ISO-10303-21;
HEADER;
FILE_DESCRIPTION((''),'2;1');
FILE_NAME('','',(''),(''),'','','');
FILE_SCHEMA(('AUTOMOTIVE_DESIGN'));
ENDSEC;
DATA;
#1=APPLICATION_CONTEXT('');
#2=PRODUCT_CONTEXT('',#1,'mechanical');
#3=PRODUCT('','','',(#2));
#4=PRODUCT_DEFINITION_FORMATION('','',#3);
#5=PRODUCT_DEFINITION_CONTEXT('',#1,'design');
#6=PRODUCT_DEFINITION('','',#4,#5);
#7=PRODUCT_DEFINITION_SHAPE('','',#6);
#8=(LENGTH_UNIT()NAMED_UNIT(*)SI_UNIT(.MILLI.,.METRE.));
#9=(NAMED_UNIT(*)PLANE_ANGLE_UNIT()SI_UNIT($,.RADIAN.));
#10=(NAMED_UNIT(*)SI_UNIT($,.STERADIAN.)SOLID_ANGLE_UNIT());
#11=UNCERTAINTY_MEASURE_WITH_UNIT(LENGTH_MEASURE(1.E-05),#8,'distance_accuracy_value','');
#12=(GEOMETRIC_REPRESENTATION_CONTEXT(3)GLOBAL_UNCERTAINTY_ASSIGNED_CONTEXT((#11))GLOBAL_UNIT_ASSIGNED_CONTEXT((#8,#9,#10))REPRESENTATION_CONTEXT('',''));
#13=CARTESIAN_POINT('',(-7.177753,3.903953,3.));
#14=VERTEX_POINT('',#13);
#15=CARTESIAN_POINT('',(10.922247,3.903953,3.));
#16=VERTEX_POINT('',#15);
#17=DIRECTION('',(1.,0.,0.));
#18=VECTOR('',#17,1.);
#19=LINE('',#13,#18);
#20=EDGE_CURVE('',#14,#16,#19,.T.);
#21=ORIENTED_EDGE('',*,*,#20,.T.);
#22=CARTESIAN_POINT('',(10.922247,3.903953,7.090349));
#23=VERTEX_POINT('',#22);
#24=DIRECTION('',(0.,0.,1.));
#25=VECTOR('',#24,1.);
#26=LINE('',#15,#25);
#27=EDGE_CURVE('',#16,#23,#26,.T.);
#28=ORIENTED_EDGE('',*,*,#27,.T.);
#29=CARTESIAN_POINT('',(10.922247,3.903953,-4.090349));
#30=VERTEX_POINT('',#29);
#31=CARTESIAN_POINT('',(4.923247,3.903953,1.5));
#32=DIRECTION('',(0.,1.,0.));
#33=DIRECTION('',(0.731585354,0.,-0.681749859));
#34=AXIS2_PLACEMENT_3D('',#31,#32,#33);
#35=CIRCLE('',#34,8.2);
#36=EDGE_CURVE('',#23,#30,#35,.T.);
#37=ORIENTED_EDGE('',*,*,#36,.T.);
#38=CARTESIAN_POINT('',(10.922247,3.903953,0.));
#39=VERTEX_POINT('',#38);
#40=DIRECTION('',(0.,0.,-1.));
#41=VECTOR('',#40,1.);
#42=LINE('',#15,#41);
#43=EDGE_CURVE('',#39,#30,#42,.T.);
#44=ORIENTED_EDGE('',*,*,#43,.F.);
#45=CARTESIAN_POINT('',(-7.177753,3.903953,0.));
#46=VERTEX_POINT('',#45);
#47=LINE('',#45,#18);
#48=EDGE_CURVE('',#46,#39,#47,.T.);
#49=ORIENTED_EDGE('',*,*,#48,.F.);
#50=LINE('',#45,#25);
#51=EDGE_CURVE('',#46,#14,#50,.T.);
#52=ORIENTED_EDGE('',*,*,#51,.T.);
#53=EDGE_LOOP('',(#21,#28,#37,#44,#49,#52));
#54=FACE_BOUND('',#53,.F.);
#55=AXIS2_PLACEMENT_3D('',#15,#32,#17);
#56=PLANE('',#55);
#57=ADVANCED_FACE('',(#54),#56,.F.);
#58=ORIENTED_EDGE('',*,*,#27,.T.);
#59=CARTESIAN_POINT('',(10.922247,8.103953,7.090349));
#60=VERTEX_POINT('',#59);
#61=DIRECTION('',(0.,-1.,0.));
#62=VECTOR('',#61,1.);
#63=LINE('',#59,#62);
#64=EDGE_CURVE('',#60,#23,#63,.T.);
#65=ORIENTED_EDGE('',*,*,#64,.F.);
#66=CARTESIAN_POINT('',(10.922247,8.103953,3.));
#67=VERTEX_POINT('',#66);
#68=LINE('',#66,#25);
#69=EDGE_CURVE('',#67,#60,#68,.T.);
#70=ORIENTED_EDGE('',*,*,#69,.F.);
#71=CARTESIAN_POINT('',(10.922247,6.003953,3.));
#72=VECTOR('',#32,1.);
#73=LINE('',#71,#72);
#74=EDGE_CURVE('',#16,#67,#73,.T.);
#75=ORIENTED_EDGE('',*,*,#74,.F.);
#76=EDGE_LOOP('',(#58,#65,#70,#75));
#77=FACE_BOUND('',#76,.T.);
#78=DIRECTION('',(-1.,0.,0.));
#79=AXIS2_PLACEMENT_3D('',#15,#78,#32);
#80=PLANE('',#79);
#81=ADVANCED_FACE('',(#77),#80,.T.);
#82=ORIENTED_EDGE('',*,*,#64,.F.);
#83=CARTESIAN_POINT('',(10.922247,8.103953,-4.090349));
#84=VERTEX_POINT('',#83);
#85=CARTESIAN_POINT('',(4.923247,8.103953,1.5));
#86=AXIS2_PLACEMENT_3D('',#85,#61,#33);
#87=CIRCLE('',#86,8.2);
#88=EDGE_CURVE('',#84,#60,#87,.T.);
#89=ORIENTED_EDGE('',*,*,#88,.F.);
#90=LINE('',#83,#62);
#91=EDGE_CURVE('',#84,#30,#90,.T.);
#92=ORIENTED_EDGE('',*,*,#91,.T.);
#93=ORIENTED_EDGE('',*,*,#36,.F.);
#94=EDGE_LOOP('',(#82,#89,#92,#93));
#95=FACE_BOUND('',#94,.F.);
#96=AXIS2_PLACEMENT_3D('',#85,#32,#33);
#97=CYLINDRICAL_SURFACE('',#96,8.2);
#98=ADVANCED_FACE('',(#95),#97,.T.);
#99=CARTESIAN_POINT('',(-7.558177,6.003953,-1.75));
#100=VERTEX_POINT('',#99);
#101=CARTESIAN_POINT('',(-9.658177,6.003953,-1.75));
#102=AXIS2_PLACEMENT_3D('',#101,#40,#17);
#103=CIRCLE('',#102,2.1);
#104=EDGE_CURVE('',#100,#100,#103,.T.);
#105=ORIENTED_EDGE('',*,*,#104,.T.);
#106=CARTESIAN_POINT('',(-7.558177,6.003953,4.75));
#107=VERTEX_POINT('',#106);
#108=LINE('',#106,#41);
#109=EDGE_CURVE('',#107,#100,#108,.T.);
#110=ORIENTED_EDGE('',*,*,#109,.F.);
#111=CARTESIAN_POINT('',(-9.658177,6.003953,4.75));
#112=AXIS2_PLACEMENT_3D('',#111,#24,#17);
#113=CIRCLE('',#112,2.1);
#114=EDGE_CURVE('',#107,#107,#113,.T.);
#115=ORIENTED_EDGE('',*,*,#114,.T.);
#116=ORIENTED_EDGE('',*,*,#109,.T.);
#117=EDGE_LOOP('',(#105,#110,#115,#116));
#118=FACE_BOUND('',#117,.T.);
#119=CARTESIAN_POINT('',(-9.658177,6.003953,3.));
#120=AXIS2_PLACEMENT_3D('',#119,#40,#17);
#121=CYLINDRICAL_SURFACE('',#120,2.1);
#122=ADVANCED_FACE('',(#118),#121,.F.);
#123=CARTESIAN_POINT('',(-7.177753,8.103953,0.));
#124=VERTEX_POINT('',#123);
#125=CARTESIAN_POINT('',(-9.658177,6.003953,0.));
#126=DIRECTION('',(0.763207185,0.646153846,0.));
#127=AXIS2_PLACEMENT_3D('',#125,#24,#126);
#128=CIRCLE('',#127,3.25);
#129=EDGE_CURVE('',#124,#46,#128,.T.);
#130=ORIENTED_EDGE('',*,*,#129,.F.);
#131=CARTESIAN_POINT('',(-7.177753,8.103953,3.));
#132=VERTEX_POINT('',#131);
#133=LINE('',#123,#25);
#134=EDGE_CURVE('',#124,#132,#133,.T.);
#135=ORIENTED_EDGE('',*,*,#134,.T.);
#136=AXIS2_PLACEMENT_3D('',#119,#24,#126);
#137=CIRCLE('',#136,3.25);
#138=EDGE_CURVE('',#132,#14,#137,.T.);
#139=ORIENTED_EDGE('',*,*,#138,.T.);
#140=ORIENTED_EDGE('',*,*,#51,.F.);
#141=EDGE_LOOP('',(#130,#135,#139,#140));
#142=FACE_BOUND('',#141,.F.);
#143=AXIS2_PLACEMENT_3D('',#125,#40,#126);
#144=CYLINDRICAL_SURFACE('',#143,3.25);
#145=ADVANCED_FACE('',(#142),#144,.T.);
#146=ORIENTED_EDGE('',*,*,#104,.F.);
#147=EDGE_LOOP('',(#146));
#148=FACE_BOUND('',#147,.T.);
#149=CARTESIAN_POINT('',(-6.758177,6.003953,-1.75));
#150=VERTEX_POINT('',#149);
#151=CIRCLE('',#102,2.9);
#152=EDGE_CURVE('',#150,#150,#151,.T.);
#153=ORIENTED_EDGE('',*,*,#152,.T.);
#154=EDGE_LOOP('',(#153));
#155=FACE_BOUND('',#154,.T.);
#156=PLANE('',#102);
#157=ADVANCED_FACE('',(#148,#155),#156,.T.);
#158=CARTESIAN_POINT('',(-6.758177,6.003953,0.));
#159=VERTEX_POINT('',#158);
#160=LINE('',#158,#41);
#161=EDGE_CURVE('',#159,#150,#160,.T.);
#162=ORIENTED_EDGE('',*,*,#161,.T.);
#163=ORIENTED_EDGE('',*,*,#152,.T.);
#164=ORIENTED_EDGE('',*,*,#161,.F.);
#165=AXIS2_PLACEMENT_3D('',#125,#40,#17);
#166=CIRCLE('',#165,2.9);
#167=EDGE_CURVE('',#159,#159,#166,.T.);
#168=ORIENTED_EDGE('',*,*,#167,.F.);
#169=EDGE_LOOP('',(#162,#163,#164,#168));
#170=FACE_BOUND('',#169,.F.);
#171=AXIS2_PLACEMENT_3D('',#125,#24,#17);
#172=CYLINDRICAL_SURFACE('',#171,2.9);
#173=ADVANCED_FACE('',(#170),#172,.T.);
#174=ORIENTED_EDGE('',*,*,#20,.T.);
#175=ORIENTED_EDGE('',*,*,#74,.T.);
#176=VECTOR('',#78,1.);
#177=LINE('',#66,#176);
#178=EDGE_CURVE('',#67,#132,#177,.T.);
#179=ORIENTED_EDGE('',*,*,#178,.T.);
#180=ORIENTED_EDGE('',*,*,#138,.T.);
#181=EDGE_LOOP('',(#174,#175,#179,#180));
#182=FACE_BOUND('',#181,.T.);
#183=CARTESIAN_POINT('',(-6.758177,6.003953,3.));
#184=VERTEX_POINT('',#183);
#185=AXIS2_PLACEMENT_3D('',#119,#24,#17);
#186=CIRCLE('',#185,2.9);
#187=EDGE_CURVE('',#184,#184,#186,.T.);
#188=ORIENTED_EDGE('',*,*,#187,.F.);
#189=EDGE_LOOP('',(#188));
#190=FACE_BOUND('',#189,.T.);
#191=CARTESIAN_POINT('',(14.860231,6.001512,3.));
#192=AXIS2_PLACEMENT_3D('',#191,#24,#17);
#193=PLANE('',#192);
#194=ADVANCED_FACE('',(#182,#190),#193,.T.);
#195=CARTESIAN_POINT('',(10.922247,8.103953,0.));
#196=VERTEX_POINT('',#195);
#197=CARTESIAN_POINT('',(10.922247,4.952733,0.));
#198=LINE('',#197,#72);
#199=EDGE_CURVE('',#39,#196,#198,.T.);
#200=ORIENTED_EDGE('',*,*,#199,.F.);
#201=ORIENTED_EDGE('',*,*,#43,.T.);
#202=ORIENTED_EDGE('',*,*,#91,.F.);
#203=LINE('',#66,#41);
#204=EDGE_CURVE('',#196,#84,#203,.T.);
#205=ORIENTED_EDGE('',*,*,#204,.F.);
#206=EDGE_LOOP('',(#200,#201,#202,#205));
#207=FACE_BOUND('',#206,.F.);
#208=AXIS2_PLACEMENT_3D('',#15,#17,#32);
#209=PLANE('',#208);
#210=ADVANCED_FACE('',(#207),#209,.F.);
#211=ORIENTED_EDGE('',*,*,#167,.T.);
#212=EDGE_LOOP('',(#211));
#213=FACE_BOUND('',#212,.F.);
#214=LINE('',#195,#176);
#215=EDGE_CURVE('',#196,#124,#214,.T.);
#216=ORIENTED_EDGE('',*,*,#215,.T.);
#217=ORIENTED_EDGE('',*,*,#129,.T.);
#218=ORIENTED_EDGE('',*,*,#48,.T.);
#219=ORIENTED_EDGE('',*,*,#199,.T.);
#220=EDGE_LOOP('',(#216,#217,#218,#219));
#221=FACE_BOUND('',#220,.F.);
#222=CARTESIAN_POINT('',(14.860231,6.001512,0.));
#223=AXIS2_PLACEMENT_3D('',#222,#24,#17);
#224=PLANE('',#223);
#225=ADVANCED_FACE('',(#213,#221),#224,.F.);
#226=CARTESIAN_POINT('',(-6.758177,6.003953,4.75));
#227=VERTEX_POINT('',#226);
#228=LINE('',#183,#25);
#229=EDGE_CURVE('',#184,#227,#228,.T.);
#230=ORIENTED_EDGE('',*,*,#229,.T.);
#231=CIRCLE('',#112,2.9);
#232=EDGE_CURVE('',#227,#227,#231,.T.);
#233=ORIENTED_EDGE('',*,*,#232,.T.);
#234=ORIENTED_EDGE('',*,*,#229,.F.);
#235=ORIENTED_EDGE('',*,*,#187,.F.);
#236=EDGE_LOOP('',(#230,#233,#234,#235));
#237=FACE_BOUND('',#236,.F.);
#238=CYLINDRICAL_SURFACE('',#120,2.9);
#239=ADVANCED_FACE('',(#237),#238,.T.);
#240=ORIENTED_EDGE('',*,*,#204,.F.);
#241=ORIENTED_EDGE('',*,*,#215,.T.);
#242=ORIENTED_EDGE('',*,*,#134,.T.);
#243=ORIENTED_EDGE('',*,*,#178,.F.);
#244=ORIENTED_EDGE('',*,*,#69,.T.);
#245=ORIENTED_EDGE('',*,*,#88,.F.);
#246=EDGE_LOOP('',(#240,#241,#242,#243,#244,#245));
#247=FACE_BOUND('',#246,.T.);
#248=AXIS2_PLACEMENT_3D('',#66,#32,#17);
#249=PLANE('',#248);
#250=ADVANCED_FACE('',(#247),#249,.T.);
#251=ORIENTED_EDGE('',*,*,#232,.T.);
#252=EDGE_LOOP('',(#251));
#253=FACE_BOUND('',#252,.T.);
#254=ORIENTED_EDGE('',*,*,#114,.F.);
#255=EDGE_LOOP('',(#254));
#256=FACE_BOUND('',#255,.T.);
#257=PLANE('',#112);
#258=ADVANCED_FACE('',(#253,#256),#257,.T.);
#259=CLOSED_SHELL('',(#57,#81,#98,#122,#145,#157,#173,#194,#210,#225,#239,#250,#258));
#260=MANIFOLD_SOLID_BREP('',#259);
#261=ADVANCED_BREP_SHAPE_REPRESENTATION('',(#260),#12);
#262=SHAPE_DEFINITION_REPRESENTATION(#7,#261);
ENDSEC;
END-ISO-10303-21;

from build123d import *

# Parameters (mm, degrees)
F0_R      = 2.1
F1_DEPTH  = 3
F2_W      = 7.8759681508
F2_H      = 2.3975596942
F2_H_2    = 2.4024403058
F3_DEPTH  = 25
F2_H_3    = 4.2
F4_DEPTH  = 5
F5_DEPTH  = 8
F7_DEPTH  = 25
F8_R      = 2.9
F8_R_2    = 2.1
F9_DEPTH  = 1.75
F10_R     = 2.9
F10_R_2   = 2.1
F11_DEPTH = 1.75


with BuildPart() as f1:
    # F0 (on Top) → F1 (new body)
    with BuildSketch(Plane.XY):
        Polygon((18.7982146922, 10.5015123645), (10.9222465414, 10.5015123645), (10.9222465414, 8.1039526702), (10.9222465414, 3.9039526702), (10.9222465414, 1.5015123645), (18.7982146922, 1.5015123645), align=None)
        with BuildLine():
            Line((10.9222465414, 3.9039526702), (10.9222465414, 8.1039526702))
            Line((10.9222465414, 8.1039526702), (-7.1777534586, 8.1039526702))
            ThreePointArc((-7.1777534586, 8.1039526702), (-12.9081768095, 6.0039526702), (-7.1777534586, 3.9039526702))
            Line((-7.1777534586, 3.9039526702), (10.9222465414, 3.9039526702))
        make_face()
        with Locations((-9.6581768095, 6.0039526702)):
            Circle(F0_R, mode=Mode.SUBTRACT)
    extrude(amount=F1_DEPTH)

    # F2 (on face) → F3 (cut)
    with BuildSketch(Plane.XY.offset(3)):
        with Locations((14.8602306168, 9.3027325174)):
            Rectangle(F2_W, F2_H)
        with Locations((14.8602306168, 2.7027325174)):
            Rectangle(F2_W, F2_H_2)
    extrude(amount=-F3_DEPTH, mode=Mode.SUBTRACT)

    # F2 (on face) → F4 (join)
    with BuildSketch(Plane.XY.offset(3)):
        with Locations((14.8602306168, 6.0039526702)):
            Rectangle(F2_W, F2_H_3)
    extrude(amount=F4_DEPTH)

    # F2 (on face) → F5 (join)
    with BuildSketch(Plane.XY.offset(3)):
        with Locations((14.8602306168, 6.0039526702)):
            Rectangle(F2_W, F2_H_3)
    extrude(amount=-F5_DEPTH)

    # F6 (on face) → F7 (cut)
    with BuildSketch(Plane(origin=(0, 8.1039526702, 0), x_dir=(-1, 0, 0), z_dir=(0, 1, 0))):
        with BuildLine():
            ThreePointArc((-10.9222465414, -4.0903488442), (-13.1232466414, 1.5), (-10.9222465414, 7.0903488442))
            Line((-10.9222465414, 7.0903488442), (-10.9222465414, 8))
            Line((-10.9222465414, 8), (-18.7982146922, 8))
            Line((-18.7982146922, 8), (-18.7982146922, -5))
            Line((-18.7982146922, -5), (-10.9222465414, -5))
            Line((-10.9222465414, -5), (-10.9222465414, -4.0903488442))
        make_face()
    extrude(amount=-F7_DEPTH, mode=Mode.SUBTRACT)

    # F8 (on face) → F9 (join)
    with BuildSketch(Plane(origin=(0, 0, 0), x_dir=(1, 0, 0), z_dir=(0, 0, -1))):
        with Locations((-9.6581768095, -6.0039526702)):
            Circle(F8_R)
        with Locations((-9.6581768095, -6.0039526702)):
            Circle(F8_R_2, mode=Mode.SUBTRACT)
    extrude(amount=F9_DEPTH)

    # F10 (on face) → F11 (join)
    with BuildSketch(Plane.XY.offset(3)):
        with Locations((-9.6581768095, 6.0039526702)):
            Circle(F10_R)
        with Locations((-9.6581768095, 6.0039526702)):
            Circle(F10_R_2, mode=Mode.SUBTRACT)
    extrude(amount=F11_DEPTH)


solid = f1.part
